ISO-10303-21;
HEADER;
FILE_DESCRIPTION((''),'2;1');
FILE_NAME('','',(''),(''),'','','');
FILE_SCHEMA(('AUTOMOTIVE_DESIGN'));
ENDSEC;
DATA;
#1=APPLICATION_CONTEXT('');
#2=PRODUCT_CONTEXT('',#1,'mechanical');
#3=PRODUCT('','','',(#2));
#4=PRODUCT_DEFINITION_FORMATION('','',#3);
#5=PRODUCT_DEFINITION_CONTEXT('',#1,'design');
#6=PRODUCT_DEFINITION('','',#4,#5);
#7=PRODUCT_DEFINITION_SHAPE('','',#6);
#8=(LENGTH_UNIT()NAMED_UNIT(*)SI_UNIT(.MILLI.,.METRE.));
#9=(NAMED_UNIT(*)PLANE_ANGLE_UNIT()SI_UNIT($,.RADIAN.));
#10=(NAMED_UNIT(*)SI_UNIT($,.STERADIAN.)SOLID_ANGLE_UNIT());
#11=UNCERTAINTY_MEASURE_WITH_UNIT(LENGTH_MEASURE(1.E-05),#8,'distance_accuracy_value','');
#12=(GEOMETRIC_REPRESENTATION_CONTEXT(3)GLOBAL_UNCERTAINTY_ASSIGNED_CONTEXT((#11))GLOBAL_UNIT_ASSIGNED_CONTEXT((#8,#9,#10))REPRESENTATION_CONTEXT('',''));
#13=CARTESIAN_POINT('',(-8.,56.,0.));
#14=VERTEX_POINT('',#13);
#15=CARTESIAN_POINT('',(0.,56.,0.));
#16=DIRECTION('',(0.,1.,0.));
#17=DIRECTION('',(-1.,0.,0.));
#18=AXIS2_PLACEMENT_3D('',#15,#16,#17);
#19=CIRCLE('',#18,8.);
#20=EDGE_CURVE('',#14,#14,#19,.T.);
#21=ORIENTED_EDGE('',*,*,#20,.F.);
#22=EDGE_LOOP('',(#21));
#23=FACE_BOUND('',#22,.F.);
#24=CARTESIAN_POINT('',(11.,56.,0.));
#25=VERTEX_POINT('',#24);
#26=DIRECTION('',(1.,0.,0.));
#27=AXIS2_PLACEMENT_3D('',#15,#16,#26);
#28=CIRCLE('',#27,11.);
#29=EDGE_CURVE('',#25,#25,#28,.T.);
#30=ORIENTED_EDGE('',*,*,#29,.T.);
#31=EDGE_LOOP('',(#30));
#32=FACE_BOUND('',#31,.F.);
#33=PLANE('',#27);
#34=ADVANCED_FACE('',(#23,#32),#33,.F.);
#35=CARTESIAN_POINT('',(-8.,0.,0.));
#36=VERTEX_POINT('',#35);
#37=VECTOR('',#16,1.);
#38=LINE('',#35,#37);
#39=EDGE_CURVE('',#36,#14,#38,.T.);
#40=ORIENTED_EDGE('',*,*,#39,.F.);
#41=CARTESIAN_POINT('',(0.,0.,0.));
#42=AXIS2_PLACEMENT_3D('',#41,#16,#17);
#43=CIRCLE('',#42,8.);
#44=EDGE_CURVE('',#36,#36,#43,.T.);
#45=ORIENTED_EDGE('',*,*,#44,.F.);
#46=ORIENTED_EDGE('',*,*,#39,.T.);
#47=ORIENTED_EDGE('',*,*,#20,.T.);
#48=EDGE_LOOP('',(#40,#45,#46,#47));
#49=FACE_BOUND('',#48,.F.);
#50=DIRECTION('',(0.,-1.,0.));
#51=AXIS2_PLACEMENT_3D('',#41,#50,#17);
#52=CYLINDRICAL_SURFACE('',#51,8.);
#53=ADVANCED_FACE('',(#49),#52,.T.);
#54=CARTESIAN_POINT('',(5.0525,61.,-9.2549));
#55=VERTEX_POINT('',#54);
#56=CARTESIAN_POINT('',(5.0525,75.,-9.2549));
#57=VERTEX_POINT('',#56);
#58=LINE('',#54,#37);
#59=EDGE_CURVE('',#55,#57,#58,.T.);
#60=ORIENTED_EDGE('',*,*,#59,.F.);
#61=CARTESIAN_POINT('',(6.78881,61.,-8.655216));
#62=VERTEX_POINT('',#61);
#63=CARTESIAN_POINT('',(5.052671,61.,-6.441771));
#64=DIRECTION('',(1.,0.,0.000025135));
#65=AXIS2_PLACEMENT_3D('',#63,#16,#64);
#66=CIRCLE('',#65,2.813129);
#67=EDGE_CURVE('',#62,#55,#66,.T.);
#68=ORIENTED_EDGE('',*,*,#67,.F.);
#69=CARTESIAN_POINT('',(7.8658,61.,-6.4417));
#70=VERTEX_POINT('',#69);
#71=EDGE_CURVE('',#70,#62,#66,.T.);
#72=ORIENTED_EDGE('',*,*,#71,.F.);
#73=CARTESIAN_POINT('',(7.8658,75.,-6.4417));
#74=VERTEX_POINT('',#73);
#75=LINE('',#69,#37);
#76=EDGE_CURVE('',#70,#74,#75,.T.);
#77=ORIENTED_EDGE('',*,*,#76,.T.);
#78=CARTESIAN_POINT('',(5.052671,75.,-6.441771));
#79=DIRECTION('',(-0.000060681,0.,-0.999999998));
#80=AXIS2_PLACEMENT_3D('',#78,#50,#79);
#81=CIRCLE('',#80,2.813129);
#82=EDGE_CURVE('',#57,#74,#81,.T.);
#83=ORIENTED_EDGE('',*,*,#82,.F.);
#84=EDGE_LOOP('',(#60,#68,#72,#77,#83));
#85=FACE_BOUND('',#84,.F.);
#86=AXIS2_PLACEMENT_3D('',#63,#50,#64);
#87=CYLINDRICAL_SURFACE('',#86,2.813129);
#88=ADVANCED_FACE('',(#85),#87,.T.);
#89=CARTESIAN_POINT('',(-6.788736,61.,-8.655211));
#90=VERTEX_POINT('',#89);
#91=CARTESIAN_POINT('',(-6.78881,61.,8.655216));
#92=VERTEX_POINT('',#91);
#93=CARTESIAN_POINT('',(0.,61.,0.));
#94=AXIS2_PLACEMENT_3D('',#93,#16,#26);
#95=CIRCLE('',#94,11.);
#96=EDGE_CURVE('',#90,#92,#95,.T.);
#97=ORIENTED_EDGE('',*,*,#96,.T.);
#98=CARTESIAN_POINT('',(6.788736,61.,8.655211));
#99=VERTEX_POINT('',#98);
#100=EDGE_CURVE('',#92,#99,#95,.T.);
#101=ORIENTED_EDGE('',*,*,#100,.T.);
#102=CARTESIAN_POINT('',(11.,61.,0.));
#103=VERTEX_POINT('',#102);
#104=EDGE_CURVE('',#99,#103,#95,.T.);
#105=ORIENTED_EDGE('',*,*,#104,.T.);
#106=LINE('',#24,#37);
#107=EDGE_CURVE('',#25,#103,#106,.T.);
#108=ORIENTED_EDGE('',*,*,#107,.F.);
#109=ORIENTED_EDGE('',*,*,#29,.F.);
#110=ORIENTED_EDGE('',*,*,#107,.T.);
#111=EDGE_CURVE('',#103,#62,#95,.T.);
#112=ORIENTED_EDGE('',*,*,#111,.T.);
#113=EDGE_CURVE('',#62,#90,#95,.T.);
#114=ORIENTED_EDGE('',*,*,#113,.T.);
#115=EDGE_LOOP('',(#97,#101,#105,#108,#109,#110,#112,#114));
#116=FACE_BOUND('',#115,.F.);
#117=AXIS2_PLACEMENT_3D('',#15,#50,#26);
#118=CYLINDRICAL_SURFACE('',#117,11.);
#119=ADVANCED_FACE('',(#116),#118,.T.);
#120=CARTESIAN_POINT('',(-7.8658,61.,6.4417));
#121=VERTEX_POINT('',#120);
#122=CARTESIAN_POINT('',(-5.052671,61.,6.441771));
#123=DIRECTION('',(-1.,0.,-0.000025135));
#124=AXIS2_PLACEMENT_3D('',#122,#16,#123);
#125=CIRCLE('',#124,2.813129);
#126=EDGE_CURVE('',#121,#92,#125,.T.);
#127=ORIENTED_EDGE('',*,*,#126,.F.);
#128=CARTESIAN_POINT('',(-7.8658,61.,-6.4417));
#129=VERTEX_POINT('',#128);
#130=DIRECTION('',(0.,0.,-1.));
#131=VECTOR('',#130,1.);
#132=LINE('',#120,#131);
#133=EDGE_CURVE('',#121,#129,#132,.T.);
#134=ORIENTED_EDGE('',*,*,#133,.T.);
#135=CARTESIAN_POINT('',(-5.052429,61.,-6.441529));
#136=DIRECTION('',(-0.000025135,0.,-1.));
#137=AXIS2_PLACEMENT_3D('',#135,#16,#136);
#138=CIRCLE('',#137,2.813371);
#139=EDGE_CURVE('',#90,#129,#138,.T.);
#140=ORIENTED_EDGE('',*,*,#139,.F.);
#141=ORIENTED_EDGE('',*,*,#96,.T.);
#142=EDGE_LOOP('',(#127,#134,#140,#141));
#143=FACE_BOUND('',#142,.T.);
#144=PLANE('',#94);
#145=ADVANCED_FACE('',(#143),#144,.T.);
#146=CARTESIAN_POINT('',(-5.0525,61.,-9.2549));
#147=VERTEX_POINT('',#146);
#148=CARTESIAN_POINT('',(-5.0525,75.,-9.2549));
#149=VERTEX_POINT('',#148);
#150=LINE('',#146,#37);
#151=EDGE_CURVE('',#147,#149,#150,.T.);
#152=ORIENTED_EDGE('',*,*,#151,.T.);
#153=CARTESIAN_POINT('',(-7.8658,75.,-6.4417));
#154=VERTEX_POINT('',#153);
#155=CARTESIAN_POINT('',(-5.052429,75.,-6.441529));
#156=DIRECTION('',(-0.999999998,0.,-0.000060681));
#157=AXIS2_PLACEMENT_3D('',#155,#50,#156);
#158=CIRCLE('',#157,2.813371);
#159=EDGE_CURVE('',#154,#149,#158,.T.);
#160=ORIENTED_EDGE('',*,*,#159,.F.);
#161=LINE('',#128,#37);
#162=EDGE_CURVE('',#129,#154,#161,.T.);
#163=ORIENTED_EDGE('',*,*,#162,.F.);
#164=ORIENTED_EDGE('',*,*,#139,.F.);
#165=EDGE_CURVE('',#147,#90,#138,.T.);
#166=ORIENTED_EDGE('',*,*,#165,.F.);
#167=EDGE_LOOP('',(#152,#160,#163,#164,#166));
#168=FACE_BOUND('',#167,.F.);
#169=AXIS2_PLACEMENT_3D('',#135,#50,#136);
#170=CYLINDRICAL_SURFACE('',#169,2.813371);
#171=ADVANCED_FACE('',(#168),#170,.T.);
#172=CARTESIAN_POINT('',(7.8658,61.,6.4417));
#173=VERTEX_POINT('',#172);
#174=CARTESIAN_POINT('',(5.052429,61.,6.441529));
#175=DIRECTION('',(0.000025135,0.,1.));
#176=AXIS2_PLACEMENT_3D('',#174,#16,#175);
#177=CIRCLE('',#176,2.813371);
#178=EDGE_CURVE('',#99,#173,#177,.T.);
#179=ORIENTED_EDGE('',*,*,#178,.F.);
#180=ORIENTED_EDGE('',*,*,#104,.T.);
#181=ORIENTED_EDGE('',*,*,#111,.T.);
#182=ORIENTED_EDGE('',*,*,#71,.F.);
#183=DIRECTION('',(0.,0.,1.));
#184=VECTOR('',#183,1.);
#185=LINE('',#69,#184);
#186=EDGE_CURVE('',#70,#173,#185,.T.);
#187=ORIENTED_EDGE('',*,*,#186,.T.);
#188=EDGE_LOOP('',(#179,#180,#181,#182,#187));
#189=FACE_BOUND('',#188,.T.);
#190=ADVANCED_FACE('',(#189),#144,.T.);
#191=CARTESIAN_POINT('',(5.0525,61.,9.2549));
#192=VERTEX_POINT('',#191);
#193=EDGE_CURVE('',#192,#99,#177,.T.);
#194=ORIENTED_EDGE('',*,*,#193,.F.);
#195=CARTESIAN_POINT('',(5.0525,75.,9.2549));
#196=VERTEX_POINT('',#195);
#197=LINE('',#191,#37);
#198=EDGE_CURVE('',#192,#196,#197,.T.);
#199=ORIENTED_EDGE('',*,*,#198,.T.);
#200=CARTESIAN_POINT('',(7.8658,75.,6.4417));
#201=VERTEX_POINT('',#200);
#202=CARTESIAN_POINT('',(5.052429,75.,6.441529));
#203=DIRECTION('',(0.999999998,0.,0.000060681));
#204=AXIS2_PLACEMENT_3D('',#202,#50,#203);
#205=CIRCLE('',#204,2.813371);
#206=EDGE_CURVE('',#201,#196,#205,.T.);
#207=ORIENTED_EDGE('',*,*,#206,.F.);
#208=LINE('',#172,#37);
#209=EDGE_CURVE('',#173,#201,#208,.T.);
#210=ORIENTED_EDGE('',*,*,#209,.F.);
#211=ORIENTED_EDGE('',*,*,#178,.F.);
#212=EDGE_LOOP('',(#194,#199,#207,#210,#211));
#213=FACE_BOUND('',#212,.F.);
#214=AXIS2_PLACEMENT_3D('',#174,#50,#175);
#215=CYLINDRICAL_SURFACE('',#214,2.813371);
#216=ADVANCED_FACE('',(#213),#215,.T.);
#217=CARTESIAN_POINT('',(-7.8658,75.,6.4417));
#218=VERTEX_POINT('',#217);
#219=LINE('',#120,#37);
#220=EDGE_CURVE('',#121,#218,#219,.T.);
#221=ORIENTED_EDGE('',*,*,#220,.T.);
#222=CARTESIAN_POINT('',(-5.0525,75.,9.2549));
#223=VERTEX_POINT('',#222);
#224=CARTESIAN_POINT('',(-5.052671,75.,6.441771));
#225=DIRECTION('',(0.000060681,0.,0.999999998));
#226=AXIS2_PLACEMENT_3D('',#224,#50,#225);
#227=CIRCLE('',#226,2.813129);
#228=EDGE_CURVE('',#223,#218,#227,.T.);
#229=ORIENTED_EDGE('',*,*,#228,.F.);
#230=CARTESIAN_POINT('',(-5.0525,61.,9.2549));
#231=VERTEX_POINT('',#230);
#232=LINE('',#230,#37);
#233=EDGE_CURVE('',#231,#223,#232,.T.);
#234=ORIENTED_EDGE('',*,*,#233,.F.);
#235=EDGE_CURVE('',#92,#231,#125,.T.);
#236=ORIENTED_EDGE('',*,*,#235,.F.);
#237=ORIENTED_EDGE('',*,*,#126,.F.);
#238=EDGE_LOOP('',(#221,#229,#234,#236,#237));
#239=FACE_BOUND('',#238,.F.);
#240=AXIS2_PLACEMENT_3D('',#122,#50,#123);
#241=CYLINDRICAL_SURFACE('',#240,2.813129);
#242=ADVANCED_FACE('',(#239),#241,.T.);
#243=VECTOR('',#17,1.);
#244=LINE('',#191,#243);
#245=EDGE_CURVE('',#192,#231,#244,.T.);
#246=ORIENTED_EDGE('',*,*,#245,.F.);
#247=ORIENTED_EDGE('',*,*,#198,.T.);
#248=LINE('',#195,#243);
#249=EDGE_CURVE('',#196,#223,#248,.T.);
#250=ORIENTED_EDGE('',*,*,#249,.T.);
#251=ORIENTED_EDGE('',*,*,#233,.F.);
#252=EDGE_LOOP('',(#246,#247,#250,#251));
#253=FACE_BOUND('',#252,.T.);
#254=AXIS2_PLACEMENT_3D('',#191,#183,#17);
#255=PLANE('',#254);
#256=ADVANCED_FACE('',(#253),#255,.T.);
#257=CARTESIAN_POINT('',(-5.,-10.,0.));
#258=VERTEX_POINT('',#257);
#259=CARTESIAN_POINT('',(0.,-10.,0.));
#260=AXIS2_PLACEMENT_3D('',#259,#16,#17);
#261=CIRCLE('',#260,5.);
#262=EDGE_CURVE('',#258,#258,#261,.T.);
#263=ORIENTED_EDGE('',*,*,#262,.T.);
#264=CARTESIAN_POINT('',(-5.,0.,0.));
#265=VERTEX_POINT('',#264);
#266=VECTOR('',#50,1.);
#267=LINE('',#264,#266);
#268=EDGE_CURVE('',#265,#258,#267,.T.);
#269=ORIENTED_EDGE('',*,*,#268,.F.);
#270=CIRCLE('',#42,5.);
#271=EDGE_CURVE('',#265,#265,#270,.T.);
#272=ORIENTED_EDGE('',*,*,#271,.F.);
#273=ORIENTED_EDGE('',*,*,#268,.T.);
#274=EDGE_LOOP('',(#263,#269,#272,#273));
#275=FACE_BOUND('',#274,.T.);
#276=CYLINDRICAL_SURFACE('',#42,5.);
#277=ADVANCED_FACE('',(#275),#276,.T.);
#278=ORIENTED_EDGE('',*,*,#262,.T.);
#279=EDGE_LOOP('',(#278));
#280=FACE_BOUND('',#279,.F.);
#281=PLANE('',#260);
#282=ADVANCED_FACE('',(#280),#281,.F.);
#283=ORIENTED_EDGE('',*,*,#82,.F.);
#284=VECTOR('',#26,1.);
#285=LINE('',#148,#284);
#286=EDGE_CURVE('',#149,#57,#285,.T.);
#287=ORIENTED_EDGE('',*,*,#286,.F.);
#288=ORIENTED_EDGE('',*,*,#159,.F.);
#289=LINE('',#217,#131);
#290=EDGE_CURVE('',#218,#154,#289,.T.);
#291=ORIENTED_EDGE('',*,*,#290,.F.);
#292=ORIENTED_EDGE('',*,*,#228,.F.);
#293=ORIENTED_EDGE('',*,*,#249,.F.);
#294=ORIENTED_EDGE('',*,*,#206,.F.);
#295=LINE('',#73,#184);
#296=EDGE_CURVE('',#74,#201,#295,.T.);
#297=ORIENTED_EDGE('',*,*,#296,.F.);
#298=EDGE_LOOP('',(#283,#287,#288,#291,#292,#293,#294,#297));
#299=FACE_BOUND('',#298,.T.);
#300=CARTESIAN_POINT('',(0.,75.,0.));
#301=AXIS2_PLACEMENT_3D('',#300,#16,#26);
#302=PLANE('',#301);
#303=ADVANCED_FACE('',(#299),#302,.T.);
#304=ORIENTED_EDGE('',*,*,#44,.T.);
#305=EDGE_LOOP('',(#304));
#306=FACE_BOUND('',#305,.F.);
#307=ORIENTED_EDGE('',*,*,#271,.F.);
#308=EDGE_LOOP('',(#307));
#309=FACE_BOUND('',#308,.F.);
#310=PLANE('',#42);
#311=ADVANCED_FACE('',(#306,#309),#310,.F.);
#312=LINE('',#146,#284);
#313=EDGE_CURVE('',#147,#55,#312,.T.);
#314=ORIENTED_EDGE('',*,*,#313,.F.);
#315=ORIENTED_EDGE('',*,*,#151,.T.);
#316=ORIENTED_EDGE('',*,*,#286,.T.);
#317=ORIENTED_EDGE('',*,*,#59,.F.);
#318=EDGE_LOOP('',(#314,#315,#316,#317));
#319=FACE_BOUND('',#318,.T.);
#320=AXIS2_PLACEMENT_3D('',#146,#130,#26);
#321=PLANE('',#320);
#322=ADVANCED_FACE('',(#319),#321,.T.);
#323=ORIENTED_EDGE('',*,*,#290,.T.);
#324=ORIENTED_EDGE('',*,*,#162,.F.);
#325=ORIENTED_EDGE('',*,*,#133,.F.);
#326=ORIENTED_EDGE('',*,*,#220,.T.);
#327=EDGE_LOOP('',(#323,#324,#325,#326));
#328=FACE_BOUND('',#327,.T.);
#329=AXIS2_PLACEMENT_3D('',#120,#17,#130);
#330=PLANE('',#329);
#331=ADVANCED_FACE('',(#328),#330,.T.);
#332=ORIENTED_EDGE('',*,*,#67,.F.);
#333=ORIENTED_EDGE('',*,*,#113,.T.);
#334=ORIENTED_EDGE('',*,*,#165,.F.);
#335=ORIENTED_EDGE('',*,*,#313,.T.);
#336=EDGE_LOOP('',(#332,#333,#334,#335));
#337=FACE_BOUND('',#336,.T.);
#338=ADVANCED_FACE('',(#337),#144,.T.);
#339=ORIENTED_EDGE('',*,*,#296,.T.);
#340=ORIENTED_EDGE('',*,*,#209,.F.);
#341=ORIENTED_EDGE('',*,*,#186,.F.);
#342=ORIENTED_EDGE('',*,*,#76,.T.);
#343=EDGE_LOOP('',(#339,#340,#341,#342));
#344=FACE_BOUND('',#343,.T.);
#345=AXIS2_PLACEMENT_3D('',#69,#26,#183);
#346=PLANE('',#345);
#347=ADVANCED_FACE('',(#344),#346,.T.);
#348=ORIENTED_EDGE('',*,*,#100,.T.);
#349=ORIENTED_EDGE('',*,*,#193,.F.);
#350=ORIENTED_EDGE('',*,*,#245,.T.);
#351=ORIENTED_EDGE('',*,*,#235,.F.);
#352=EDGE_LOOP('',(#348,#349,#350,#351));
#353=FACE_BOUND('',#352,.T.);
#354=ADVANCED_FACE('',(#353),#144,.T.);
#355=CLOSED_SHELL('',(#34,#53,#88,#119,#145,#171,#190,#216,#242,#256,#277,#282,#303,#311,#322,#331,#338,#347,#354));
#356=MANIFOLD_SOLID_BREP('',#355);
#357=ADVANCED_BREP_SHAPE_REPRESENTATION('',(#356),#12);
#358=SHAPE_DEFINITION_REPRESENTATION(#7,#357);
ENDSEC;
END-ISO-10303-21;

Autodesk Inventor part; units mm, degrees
ref_plane "YZ Plane" through (0, 0, 0) normal (1, 0, 0) x (0, 1, 0)
ref_plane "XZ Plane" through (0, 0, 0) normal (0, 1, 0) x (-1, 0, 0)
ref_plane "XY Plane" through (0, 0, 0) normal (0, 0, 1) x (1, 0, 0)
sketch "Sketch1" plane through (0, 0, 0) normal (0, 1, 0) x (-1, 0, 0)
  circle A0 centre (0, 0) radius 8
  circle A1 centre (0, 0) radius 5
  dimension "d0" = 16
  dimension "d1" = 10
extrude "Extrusion1" add sketch "Sketch1" along normal blind 56 contours A0 | A1
extrude "Extrusion2" add sketch "Sketch1" against normal blind 10 contours A1
sketch "Sketch2" plane through (0, 56, 0) normal (0, 1, 0) x (1, 0, 0)
  circle A0 centre (0, 0) radius 11
  dimension "d6" = 22
extrude "Extrusion3" add sketch "Sketch2" along normal blind 5
sketch "Sketch3" plane through (0, 61, 0) normal (0, 1, 0) x (1, 0, 0)
  circle A0 centre (0, 0) radius 11 projected
  line L0 (-5.0525, -8.4417) -> (5.0525, -8.4417) construction
  line L1 (7.0525, -6.4417) -> (7.0525, 6.4417) construction
  line L2 (5.0525, 8.4417) -> (-5.0525, 8.4417) construction
  line L3 (-7.0525, 6.4417) -> (-7.0525, -6.4417) construction
  line L4 (-7.0525, -8.4417) -> (7.0525, 8.4417) construction
  line L5 (7.0525, -8.4417) -> (-7.0525, 8.4417) construction
  arc A1 (7.0525, 6.4417) -> (5.0525, 8.4417) centre (5.0525, 6.4417) ccw construction
  arc A2 (5.0525, -8.4417) -> (7.0525, -6.4417) centre (5.0525, -6.4417) ccw construction
  arc A3 (-7.0525, -6.4417) -> (-5.0525, -8.4417) centre (-5.0525, -6.4417) ccw construction
  arc A4 (-5.0525, 8.4417) -> (-7.0525, 6.4417) centre (-5.0525, 6.4417) ccw construction
  line L6 (7.8658, 6.4417) -> (7.8658, -6.4417)
  arc A5 (5.0525, -9.2549) -> (7.8658, -6.4417) centre (5.0525, -6.4417) ccw
  line L7 (5.0525, -9.2549) -> (-5.0525, -9.2549)
  arc A6 (-7.8658, -6.4417) -> (-5.0525, -9.2549) centre (-5.0525, -6.4417) ccw
  line L8 (-7.8658, -6.4417) -> (-7.8658, 6.4417)
  arc A7 (-5.0525, 9.2549) -> (-7.8658, 6.4417) centre (-5.0525, 6.4417) ccw
  line L9 (-5.0525, 9.2549) -> (5.0525, 9.2549)
  arc A8 (7.8658, 6.4417) -> (5.0525, 9.2549) centre (5.0525, 6.4417) ccw
  dimension "d9" = 2
extrude "Extrusion4" add sketch "Sketch3" along normal blind 14 contours A8 L6 A5 L7 A6 L8 A7 L9
thread "Thread1" size "M16x2" class "6g" standard "ANSI Metric M Profile" length 56
properties part number "SetScrew"
